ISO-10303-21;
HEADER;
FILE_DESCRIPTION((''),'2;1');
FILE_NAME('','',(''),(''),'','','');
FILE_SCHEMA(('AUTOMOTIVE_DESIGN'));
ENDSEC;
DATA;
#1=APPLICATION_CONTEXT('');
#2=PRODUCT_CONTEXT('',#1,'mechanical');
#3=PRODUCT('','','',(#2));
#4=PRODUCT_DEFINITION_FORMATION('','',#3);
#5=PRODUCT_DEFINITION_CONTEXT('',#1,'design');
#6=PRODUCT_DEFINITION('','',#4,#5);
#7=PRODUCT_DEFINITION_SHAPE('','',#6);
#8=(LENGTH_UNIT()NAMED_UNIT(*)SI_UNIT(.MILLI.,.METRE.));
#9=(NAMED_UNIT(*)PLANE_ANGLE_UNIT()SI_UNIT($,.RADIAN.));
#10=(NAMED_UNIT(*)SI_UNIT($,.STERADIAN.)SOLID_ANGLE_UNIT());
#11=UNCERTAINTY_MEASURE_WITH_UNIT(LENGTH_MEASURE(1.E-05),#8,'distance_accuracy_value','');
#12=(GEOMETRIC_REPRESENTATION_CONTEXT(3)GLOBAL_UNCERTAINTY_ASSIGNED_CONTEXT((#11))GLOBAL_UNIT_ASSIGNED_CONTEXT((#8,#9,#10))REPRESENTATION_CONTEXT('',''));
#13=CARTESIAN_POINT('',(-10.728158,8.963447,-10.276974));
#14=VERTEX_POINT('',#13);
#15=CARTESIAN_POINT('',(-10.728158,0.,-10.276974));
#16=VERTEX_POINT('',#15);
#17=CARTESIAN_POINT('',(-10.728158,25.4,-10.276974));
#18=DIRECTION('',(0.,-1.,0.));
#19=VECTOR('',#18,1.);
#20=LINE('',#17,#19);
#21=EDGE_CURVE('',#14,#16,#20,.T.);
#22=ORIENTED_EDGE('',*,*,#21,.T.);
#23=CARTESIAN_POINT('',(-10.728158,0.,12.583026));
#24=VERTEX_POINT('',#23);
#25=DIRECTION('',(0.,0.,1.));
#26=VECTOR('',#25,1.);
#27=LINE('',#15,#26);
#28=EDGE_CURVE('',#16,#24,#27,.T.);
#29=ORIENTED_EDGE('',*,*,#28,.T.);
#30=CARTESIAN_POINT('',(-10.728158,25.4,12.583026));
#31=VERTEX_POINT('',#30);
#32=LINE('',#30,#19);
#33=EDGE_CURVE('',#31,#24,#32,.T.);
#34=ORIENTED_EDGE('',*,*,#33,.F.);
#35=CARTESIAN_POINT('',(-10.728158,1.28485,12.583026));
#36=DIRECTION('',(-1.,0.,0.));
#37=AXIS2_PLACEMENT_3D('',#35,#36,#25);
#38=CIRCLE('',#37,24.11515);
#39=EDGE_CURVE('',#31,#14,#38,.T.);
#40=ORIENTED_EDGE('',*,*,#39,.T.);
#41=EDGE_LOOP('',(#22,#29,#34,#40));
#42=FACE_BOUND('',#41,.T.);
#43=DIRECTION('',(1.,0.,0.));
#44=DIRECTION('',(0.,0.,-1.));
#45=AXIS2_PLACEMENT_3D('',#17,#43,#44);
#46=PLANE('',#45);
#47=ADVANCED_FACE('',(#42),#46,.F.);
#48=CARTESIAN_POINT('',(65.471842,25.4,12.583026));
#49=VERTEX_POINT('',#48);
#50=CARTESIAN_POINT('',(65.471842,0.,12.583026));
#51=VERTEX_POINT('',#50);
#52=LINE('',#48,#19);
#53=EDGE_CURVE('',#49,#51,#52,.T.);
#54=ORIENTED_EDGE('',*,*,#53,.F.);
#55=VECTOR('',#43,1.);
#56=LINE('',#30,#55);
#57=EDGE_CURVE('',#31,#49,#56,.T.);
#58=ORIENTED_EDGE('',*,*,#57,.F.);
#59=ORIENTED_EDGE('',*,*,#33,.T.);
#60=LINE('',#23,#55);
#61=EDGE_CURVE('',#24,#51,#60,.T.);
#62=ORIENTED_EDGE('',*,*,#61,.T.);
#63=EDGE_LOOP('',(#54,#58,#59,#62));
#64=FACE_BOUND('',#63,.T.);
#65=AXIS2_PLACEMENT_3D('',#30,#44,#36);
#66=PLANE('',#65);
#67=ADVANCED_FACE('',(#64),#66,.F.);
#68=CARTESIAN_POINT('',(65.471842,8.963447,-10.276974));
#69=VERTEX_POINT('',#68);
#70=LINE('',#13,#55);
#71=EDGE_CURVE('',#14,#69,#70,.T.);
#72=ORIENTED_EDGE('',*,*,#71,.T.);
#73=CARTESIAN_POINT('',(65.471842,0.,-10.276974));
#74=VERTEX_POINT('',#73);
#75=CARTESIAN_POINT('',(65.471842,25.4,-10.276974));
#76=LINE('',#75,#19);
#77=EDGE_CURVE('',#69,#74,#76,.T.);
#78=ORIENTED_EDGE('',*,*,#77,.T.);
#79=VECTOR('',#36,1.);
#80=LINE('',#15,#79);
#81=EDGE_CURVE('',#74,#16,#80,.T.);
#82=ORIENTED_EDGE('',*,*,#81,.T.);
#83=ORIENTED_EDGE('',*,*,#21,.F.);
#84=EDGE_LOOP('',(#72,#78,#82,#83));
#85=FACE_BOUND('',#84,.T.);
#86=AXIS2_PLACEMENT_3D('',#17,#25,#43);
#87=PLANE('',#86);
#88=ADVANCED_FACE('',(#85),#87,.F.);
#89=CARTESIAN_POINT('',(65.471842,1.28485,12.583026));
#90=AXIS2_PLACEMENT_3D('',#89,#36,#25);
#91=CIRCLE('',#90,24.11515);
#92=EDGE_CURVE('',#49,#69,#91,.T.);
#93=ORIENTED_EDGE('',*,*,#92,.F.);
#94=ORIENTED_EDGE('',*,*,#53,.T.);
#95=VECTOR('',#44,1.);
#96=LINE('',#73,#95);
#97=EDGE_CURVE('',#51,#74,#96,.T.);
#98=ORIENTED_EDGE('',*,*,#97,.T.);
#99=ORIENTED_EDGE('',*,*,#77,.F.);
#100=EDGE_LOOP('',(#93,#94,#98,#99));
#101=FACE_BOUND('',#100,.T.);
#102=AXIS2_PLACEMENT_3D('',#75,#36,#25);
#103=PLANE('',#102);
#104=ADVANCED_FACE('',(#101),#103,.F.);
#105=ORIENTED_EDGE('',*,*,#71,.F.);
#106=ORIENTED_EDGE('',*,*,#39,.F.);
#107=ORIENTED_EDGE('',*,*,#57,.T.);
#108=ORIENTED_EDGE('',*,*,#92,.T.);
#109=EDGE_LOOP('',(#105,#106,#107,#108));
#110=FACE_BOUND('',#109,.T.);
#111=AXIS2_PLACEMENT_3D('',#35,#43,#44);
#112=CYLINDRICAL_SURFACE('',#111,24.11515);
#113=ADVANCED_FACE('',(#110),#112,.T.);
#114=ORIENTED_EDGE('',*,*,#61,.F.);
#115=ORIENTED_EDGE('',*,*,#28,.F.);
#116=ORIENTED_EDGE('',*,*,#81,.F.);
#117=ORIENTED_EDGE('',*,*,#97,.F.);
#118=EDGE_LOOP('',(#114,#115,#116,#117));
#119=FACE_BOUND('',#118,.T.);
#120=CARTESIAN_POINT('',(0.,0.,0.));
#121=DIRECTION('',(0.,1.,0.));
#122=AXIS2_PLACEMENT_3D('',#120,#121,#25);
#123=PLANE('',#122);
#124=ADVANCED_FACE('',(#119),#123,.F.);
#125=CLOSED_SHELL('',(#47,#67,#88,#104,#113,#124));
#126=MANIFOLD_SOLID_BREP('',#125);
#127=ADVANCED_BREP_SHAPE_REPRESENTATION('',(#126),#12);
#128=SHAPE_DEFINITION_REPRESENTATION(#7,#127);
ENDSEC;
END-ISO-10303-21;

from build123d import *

# Parameters (mm, degrees)
SKETCH2_W           = 76.2
SKETCH2_H           = 22.86
BOSS_EXTRUDE1_DEPTH = 25.4
CUT_EXTRUDE1_DEPTH  = 77.2


with BuildPart() as part:
    # Sketch2 → Boss-Extrude1 (new body)
    with BuildSketch(Plane(origin=(0, 0, 0), x_dir=(1, 0, 0), z_dir=(0, 1, 0))):
        with Locations((27.371842105, -1.153026316)):
            Rectangle(SKETCH2_W, SKETCH2_H)
    extrude(amount=BOSS_EXTRUDE1_DEPTH)

    # Sketch3 → Cut-Extrude1 (cut, through all)
    with BuildSketch(Plane(origin=(65.471842105, 0, 0), x_dir=(0, 0, -1), z_dir=(1, 0, 0))):
        with BuildLine():
            Line((-12.583026316, 25.4), (10.276973684, 25.4))
            Line((10.276973684, 25.4), (10.276973684, 8.963446719))
            ThreePointArc((10.276973684, 8.963446719), (1.494792086, 20.864315909), (-12.583026316, 25.4))
        make_face()
    extrude(amount=-CUT_EXTRUDE1_DEPTH, mode=Mode.SUBTRACT)


solid = part.part
